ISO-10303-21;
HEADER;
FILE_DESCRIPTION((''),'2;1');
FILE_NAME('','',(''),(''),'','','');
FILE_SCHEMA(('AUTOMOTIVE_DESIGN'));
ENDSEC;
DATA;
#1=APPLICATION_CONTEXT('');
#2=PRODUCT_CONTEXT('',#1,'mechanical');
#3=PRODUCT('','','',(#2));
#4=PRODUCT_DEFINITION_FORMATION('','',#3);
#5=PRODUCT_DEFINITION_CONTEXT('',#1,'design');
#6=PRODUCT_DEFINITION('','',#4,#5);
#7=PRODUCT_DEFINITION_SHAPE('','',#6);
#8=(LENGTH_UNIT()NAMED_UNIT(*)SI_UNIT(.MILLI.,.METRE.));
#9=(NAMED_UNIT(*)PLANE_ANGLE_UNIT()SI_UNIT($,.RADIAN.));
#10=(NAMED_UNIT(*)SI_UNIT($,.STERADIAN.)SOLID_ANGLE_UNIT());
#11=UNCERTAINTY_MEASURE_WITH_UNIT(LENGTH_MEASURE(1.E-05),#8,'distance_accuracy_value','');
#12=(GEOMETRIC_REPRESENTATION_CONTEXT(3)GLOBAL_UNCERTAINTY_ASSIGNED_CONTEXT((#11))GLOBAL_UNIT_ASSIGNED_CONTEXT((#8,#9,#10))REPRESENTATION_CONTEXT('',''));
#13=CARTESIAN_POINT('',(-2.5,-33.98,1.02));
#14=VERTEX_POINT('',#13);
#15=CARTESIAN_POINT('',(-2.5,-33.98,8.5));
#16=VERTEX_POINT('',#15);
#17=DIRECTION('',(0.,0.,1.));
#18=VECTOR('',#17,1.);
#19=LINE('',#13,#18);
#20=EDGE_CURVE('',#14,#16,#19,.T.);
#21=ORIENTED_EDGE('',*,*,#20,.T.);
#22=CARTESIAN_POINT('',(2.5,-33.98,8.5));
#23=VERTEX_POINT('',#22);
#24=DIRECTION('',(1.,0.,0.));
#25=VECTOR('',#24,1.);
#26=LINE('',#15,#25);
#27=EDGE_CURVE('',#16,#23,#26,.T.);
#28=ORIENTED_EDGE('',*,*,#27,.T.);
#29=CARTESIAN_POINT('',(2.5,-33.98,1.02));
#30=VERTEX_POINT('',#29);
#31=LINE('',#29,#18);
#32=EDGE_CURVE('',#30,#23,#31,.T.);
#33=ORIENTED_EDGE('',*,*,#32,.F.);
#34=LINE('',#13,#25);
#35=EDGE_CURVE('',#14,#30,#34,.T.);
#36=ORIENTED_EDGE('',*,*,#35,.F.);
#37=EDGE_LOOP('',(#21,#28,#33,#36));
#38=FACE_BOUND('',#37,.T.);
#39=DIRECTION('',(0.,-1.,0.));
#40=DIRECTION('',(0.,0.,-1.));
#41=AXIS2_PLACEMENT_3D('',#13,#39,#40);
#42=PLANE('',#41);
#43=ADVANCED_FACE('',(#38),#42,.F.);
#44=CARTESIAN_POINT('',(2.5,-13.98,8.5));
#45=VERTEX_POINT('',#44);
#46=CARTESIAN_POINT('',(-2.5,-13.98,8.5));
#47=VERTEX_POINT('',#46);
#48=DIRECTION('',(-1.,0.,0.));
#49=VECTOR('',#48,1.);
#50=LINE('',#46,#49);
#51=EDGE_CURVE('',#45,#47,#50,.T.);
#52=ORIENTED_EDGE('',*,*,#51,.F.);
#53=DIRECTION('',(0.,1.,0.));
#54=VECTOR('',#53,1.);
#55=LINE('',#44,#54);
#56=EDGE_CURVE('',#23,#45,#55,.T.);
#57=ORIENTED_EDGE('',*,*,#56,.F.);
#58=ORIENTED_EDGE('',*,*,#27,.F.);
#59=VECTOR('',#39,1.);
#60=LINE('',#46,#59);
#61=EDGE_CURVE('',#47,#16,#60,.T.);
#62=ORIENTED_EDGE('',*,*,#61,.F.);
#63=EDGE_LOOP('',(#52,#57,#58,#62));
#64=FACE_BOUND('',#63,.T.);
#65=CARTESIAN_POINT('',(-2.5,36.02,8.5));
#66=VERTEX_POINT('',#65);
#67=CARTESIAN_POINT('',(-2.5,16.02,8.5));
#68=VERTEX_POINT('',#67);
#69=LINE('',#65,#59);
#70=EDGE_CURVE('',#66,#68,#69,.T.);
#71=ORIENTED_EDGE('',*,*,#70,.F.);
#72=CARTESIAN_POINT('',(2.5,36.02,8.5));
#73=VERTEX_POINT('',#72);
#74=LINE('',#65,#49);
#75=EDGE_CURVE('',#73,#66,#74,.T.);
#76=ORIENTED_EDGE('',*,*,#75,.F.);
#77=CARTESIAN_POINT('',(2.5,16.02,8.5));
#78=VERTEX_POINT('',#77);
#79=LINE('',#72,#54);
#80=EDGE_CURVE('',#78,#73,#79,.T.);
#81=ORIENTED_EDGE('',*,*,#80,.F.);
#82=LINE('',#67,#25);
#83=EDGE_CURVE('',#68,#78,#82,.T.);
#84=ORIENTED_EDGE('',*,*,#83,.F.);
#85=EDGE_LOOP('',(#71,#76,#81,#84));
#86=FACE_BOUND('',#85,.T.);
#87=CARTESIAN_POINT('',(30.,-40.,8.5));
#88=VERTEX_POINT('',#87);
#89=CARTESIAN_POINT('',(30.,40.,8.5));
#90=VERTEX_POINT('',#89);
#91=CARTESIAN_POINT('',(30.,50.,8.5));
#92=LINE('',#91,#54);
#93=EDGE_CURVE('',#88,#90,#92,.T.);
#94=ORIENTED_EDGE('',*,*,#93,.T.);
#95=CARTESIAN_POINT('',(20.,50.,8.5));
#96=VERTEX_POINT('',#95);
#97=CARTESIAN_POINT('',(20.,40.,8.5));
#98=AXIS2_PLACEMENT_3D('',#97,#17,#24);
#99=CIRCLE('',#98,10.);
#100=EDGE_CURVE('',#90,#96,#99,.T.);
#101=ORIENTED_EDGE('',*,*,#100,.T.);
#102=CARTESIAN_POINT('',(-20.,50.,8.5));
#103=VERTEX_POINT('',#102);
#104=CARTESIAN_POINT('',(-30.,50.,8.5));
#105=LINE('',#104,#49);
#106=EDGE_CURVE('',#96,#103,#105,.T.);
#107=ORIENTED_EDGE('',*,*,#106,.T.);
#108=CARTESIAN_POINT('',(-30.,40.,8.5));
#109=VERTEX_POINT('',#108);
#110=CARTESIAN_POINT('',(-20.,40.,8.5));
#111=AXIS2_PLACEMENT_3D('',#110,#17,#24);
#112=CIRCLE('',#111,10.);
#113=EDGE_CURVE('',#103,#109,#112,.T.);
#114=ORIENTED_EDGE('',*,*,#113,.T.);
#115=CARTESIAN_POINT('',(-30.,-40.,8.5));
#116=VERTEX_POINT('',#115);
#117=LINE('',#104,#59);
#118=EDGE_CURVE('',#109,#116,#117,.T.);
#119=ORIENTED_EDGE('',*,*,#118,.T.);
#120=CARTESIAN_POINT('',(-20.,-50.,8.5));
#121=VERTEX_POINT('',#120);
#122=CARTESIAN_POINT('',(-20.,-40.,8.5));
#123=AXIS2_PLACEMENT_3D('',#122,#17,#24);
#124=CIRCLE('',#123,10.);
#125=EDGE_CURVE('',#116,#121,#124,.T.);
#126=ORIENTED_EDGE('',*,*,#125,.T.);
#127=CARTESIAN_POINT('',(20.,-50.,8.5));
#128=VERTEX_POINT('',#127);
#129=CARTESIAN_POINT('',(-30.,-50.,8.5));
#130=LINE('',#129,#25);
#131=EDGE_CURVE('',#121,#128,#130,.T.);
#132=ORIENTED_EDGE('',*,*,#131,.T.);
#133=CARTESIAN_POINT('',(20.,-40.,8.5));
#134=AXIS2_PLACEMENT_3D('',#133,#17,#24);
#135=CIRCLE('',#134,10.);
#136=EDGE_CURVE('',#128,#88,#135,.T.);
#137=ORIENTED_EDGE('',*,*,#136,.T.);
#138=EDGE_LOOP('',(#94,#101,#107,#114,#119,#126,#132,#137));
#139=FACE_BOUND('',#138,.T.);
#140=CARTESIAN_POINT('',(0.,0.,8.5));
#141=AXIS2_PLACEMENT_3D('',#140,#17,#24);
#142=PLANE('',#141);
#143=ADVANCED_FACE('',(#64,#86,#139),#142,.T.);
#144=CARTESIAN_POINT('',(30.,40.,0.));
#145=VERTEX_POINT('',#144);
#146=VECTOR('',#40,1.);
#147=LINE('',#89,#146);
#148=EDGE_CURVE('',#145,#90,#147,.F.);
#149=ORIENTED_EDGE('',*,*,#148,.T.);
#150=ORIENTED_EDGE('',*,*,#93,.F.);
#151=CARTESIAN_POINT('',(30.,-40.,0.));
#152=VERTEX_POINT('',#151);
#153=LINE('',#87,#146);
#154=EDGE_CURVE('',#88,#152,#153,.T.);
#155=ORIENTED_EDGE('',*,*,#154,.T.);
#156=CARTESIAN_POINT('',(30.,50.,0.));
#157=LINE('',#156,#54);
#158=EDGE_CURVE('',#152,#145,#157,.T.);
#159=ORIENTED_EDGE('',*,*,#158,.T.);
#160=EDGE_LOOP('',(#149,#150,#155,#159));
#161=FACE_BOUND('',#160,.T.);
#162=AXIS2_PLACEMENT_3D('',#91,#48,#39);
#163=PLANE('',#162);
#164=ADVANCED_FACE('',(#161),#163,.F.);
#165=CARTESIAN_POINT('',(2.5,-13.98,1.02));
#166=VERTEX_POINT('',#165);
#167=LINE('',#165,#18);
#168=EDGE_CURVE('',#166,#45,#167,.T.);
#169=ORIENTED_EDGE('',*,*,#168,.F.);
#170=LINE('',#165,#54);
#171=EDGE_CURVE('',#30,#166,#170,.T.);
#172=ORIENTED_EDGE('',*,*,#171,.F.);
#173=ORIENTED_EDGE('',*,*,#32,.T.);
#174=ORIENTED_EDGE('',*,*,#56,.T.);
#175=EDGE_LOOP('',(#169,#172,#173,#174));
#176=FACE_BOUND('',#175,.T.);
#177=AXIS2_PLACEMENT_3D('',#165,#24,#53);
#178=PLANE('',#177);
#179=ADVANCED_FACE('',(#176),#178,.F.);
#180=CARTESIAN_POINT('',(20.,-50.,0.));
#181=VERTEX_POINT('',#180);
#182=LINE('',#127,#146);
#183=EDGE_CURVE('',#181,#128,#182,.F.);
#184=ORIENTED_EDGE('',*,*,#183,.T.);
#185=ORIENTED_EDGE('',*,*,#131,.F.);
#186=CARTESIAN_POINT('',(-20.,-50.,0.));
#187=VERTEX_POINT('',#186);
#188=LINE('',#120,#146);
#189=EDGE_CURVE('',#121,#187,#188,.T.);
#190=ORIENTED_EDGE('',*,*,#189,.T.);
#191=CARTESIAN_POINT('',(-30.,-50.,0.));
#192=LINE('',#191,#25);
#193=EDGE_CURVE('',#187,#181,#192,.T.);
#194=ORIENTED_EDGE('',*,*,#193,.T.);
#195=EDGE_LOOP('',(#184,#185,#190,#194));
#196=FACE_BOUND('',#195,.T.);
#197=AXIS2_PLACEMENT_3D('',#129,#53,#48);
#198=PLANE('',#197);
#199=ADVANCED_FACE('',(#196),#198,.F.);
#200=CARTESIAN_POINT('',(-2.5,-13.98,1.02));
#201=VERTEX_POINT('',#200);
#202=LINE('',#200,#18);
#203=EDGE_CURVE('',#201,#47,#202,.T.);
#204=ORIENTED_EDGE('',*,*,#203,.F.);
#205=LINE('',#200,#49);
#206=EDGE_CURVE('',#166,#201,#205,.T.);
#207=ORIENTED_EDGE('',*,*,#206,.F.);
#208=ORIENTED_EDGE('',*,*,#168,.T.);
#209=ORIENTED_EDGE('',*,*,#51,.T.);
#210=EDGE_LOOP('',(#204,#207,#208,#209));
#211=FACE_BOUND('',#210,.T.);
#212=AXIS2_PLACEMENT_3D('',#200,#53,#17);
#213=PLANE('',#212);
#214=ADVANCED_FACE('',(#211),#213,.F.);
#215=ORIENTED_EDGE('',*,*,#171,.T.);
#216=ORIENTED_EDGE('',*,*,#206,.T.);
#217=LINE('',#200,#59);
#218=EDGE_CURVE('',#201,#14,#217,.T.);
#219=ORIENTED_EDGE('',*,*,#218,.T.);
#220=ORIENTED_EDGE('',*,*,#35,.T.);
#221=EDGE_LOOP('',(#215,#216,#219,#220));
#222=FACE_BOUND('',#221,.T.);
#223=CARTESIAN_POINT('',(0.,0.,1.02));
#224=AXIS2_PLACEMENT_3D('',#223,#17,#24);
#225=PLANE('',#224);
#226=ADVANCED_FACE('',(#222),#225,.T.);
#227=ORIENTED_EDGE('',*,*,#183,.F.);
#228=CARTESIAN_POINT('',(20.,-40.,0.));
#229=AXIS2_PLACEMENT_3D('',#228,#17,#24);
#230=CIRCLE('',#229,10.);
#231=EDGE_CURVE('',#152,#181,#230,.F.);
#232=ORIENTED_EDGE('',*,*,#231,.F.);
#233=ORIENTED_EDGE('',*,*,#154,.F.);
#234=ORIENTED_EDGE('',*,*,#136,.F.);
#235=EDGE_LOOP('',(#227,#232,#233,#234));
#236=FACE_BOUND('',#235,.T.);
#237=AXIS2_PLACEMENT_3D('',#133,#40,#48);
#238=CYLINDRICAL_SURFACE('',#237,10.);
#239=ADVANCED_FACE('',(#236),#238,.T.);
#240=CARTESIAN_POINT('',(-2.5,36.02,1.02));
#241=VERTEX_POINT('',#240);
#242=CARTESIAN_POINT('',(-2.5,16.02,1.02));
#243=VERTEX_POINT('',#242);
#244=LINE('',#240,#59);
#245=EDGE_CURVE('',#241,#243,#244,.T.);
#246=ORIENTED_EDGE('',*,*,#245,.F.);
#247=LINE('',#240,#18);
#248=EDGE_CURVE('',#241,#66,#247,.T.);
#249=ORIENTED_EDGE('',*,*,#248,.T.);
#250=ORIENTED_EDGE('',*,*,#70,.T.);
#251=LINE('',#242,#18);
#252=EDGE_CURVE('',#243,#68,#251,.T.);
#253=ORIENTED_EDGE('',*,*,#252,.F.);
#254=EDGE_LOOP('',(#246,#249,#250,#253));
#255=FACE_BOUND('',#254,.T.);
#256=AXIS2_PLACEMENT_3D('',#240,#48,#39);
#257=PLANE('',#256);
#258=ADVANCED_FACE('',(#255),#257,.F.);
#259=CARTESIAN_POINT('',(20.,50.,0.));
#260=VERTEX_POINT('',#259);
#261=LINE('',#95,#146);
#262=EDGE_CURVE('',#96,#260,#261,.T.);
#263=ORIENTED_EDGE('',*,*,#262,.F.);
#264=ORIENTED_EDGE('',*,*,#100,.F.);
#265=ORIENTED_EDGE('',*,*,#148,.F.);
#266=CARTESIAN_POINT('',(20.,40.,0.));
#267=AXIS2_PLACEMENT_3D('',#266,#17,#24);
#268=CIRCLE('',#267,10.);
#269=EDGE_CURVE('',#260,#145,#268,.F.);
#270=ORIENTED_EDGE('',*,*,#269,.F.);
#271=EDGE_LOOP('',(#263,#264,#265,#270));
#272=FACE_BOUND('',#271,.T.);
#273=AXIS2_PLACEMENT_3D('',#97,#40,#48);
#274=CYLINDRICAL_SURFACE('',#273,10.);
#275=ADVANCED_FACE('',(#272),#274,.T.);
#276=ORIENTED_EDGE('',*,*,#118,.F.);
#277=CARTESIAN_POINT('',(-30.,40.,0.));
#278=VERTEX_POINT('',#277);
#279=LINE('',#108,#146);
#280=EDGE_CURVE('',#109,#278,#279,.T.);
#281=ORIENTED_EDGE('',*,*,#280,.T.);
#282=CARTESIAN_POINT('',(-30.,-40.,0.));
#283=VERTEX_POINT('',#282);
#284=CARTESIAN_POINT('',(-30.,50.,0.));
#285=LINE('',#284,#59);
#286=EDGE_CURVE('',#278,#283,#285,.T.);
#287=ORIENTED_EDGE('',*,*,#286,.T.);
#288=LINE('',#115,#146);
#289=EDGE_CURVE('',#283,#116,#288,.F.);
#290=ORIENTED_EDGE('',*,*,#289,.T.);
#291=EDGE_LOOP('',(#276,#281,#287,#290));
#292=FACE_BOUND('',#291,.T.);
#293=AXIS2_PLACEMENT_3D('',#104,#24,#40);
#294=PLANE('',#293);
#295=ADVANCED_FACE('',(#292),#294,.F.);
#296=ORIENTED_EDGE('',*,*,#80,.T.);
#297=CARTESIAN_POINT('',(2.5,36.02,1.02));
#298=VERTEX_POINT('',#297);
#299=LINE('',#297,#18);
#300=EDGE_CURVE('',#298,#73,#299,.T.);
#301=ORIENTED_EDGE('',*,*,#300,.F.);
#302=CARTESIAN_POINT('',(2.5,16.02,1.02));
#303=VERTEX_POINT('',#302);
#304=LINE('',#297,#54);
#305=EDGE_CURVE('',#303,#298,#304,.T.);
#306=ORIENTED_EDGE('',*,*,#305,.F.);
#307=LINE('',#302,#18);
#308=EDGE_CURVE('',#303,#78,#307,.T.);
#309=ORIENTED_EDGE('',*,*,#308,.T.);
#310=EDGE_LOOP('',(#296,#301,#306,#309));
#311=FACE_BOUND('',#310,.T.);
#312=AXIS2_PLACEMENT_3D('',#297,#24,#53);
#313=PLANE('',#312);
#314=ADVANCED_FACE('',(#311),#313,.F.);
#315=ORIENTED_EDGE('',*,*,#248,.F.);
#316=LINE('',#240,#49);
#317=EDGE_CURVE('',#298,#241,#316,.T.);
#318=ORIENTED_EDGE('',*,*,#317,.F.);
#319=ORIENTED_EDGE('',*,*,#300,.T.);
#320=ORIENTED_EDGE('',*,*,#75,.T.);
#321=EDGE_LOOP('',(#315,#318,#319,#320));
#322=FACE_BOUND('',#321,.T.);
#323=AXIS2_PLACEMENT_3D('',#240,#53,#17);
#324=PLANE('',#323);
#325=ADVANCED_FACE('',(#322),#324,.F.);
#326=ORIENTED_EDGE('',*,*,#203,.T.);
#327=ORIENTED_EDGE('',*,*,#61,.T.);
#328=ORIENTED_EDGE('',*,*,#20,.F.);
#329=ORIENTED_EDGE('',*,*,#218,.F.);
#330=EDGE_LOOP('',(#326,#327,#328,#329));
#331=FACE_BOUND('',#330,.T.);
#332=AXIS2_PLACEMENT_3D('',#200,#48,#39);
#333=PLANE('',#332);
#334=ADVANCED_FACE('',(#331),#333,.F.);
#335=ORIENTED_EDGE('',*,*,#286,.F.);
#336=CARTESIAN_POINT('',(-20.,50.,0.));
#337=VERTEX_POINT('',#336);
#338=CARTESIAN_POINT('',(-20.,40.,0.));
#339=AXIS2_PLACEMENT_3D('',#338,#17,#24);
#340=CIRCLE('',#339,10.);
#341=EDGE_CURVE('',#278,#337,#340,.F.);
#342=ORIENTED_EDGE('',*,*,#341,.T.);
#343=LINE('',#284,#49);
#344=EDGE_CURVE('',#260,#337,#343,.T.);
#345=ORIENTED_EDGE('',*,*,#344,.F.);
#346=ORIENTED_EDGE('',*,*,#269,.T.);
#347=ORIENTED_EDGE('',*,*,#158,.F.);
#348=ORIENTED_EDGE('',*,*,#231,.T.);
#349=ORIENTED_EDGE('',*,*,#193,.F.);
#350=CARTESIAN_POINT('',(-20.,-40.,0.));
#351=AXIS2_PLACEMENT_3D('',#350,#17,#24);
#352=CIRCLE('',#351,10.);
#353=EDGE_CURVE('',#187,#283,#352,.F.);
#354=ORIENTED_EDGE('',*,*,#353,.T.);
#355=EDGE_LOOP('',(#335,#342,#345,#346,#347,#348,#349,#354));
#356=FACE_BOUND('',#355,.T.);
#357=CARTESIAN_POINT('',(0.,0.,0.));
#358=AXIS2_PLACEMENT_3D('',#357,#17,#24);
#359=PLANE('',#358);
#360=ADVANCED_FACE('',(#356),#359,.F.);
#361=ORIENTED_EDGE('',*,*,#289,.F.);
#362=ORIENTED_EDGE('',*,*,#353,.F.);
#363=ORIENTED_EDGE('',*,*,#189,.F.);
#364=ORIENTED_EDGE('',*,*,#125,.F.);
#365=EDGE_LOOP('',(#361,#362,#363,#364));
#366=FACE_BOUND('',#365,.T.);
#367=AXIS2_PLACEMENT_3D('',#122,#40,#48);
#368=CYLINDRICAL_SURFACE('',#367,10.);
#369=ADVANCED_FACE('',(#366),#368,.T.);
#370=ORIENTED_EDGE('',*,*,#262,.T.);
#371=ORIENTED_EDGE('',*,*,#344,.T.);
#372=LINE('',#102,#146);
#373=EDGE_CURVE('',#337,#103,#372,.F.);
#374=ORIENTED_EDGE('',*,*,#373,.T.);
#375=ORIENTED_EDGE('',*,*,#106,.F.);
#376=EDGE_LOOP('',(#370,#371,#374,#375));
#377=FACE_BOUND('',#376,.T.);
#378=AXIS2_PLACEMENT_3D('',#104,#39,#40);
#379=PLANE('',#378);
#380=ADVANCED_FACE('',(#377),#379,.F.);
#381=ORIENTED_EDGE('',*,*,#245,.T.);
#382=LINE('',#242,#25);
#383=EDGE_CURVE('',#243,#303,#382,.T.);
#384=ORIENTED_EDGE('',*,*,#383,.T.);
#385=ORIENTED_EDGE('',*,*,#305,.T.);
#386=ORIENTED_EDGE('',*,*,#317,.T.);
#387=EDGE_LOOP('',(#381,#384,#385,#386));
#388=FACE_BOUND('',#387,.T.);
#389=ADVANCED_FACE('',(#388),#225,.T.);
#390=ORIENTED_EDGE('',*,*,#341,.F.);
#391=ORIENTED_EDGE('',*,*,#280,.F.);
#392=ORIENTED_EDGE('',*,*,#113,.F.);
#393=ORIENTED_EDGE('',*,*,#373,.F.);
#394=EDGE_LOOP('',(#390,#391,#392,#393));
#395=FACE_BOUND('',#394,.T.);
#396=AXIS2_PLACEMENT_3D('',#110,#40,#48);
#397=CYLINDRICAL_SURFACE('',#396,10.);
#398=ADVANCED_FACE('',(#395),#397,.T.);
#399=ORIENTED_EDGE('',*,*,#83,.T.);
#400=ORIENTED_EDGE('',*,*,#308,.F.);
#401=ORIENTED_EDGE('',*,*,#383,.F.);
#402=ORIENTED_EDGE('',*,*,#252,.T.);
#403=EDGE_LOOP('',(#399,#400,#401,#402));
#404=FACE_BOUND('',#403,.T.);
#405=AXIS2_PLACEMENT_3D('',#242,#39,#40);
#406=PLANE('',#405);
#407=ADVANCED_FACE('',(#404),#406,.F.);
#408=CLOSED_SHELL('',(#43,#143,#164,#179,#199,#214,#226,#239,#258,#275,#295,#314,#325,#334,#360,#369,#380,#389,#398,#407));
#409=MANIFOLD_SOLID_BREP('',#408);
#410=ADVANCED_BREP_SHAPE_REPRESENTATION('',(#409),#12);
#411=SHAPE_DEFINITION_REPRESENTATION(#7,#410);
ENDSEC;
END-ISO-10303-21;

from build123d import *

# Parameters (mm, degrees)
CROQUIS2_W              = 60
CROQUIS2_H              = 100
SALIENTE_EXTRUIR1_DEPTH = 8.5
CROQUIS4_W              = 5
CROQUIS4_H              = 20
CORTAR_EXTRUIR1_DEPTH   = 7.48
REDONDEO1_R             = 10
REDONDEO2_R             = 10


with BuildPart() as part:
    # Croquis2 → Saliente-Extruir1 (new body)
    with BuildSketch(Plane.XY):
        Rectangle(CROQUIS2_W, CROQUIS2_H)
    extrude(amount=SALIENTE_EXTRUIR1_DEPTH)

    # Croquis4 → Cortar-Extruir1 (cut)
    with BuildSketch(Plane.XY.offset(8.5)):
        with Locations((0, 26.02)):
            Rectangle(CROQUIS4_W, CROQUIS4_H)
        with Locations((0, -23.98)):
            Rectangle(CROQUIS4_W, CROQUIS4_H)
    extrude(amount=-CORTAR_EXTRUIR1_DEPTH, mode=Mode.SUBTRACT)

    # Redondeo1
    redondeo1_edges = [part.edges().sort_by_distance(p)[0] for p in [
        (-30, 50, 4.25),
    ]]
    fillet(redondeo1_edges, radius=REDONDEO1_R)

    # Redondeo2
    redondeo2_edges = [part.edges().sort_by_distance(p)[0] for p in [
        (30, -50, 4.25),
        (-30, -50, 4.25),
        (30, 50, 4.25),
    ]]
    fillet(redondeo2_edges, radius=REDONDEO2_R)


solid = part.part
